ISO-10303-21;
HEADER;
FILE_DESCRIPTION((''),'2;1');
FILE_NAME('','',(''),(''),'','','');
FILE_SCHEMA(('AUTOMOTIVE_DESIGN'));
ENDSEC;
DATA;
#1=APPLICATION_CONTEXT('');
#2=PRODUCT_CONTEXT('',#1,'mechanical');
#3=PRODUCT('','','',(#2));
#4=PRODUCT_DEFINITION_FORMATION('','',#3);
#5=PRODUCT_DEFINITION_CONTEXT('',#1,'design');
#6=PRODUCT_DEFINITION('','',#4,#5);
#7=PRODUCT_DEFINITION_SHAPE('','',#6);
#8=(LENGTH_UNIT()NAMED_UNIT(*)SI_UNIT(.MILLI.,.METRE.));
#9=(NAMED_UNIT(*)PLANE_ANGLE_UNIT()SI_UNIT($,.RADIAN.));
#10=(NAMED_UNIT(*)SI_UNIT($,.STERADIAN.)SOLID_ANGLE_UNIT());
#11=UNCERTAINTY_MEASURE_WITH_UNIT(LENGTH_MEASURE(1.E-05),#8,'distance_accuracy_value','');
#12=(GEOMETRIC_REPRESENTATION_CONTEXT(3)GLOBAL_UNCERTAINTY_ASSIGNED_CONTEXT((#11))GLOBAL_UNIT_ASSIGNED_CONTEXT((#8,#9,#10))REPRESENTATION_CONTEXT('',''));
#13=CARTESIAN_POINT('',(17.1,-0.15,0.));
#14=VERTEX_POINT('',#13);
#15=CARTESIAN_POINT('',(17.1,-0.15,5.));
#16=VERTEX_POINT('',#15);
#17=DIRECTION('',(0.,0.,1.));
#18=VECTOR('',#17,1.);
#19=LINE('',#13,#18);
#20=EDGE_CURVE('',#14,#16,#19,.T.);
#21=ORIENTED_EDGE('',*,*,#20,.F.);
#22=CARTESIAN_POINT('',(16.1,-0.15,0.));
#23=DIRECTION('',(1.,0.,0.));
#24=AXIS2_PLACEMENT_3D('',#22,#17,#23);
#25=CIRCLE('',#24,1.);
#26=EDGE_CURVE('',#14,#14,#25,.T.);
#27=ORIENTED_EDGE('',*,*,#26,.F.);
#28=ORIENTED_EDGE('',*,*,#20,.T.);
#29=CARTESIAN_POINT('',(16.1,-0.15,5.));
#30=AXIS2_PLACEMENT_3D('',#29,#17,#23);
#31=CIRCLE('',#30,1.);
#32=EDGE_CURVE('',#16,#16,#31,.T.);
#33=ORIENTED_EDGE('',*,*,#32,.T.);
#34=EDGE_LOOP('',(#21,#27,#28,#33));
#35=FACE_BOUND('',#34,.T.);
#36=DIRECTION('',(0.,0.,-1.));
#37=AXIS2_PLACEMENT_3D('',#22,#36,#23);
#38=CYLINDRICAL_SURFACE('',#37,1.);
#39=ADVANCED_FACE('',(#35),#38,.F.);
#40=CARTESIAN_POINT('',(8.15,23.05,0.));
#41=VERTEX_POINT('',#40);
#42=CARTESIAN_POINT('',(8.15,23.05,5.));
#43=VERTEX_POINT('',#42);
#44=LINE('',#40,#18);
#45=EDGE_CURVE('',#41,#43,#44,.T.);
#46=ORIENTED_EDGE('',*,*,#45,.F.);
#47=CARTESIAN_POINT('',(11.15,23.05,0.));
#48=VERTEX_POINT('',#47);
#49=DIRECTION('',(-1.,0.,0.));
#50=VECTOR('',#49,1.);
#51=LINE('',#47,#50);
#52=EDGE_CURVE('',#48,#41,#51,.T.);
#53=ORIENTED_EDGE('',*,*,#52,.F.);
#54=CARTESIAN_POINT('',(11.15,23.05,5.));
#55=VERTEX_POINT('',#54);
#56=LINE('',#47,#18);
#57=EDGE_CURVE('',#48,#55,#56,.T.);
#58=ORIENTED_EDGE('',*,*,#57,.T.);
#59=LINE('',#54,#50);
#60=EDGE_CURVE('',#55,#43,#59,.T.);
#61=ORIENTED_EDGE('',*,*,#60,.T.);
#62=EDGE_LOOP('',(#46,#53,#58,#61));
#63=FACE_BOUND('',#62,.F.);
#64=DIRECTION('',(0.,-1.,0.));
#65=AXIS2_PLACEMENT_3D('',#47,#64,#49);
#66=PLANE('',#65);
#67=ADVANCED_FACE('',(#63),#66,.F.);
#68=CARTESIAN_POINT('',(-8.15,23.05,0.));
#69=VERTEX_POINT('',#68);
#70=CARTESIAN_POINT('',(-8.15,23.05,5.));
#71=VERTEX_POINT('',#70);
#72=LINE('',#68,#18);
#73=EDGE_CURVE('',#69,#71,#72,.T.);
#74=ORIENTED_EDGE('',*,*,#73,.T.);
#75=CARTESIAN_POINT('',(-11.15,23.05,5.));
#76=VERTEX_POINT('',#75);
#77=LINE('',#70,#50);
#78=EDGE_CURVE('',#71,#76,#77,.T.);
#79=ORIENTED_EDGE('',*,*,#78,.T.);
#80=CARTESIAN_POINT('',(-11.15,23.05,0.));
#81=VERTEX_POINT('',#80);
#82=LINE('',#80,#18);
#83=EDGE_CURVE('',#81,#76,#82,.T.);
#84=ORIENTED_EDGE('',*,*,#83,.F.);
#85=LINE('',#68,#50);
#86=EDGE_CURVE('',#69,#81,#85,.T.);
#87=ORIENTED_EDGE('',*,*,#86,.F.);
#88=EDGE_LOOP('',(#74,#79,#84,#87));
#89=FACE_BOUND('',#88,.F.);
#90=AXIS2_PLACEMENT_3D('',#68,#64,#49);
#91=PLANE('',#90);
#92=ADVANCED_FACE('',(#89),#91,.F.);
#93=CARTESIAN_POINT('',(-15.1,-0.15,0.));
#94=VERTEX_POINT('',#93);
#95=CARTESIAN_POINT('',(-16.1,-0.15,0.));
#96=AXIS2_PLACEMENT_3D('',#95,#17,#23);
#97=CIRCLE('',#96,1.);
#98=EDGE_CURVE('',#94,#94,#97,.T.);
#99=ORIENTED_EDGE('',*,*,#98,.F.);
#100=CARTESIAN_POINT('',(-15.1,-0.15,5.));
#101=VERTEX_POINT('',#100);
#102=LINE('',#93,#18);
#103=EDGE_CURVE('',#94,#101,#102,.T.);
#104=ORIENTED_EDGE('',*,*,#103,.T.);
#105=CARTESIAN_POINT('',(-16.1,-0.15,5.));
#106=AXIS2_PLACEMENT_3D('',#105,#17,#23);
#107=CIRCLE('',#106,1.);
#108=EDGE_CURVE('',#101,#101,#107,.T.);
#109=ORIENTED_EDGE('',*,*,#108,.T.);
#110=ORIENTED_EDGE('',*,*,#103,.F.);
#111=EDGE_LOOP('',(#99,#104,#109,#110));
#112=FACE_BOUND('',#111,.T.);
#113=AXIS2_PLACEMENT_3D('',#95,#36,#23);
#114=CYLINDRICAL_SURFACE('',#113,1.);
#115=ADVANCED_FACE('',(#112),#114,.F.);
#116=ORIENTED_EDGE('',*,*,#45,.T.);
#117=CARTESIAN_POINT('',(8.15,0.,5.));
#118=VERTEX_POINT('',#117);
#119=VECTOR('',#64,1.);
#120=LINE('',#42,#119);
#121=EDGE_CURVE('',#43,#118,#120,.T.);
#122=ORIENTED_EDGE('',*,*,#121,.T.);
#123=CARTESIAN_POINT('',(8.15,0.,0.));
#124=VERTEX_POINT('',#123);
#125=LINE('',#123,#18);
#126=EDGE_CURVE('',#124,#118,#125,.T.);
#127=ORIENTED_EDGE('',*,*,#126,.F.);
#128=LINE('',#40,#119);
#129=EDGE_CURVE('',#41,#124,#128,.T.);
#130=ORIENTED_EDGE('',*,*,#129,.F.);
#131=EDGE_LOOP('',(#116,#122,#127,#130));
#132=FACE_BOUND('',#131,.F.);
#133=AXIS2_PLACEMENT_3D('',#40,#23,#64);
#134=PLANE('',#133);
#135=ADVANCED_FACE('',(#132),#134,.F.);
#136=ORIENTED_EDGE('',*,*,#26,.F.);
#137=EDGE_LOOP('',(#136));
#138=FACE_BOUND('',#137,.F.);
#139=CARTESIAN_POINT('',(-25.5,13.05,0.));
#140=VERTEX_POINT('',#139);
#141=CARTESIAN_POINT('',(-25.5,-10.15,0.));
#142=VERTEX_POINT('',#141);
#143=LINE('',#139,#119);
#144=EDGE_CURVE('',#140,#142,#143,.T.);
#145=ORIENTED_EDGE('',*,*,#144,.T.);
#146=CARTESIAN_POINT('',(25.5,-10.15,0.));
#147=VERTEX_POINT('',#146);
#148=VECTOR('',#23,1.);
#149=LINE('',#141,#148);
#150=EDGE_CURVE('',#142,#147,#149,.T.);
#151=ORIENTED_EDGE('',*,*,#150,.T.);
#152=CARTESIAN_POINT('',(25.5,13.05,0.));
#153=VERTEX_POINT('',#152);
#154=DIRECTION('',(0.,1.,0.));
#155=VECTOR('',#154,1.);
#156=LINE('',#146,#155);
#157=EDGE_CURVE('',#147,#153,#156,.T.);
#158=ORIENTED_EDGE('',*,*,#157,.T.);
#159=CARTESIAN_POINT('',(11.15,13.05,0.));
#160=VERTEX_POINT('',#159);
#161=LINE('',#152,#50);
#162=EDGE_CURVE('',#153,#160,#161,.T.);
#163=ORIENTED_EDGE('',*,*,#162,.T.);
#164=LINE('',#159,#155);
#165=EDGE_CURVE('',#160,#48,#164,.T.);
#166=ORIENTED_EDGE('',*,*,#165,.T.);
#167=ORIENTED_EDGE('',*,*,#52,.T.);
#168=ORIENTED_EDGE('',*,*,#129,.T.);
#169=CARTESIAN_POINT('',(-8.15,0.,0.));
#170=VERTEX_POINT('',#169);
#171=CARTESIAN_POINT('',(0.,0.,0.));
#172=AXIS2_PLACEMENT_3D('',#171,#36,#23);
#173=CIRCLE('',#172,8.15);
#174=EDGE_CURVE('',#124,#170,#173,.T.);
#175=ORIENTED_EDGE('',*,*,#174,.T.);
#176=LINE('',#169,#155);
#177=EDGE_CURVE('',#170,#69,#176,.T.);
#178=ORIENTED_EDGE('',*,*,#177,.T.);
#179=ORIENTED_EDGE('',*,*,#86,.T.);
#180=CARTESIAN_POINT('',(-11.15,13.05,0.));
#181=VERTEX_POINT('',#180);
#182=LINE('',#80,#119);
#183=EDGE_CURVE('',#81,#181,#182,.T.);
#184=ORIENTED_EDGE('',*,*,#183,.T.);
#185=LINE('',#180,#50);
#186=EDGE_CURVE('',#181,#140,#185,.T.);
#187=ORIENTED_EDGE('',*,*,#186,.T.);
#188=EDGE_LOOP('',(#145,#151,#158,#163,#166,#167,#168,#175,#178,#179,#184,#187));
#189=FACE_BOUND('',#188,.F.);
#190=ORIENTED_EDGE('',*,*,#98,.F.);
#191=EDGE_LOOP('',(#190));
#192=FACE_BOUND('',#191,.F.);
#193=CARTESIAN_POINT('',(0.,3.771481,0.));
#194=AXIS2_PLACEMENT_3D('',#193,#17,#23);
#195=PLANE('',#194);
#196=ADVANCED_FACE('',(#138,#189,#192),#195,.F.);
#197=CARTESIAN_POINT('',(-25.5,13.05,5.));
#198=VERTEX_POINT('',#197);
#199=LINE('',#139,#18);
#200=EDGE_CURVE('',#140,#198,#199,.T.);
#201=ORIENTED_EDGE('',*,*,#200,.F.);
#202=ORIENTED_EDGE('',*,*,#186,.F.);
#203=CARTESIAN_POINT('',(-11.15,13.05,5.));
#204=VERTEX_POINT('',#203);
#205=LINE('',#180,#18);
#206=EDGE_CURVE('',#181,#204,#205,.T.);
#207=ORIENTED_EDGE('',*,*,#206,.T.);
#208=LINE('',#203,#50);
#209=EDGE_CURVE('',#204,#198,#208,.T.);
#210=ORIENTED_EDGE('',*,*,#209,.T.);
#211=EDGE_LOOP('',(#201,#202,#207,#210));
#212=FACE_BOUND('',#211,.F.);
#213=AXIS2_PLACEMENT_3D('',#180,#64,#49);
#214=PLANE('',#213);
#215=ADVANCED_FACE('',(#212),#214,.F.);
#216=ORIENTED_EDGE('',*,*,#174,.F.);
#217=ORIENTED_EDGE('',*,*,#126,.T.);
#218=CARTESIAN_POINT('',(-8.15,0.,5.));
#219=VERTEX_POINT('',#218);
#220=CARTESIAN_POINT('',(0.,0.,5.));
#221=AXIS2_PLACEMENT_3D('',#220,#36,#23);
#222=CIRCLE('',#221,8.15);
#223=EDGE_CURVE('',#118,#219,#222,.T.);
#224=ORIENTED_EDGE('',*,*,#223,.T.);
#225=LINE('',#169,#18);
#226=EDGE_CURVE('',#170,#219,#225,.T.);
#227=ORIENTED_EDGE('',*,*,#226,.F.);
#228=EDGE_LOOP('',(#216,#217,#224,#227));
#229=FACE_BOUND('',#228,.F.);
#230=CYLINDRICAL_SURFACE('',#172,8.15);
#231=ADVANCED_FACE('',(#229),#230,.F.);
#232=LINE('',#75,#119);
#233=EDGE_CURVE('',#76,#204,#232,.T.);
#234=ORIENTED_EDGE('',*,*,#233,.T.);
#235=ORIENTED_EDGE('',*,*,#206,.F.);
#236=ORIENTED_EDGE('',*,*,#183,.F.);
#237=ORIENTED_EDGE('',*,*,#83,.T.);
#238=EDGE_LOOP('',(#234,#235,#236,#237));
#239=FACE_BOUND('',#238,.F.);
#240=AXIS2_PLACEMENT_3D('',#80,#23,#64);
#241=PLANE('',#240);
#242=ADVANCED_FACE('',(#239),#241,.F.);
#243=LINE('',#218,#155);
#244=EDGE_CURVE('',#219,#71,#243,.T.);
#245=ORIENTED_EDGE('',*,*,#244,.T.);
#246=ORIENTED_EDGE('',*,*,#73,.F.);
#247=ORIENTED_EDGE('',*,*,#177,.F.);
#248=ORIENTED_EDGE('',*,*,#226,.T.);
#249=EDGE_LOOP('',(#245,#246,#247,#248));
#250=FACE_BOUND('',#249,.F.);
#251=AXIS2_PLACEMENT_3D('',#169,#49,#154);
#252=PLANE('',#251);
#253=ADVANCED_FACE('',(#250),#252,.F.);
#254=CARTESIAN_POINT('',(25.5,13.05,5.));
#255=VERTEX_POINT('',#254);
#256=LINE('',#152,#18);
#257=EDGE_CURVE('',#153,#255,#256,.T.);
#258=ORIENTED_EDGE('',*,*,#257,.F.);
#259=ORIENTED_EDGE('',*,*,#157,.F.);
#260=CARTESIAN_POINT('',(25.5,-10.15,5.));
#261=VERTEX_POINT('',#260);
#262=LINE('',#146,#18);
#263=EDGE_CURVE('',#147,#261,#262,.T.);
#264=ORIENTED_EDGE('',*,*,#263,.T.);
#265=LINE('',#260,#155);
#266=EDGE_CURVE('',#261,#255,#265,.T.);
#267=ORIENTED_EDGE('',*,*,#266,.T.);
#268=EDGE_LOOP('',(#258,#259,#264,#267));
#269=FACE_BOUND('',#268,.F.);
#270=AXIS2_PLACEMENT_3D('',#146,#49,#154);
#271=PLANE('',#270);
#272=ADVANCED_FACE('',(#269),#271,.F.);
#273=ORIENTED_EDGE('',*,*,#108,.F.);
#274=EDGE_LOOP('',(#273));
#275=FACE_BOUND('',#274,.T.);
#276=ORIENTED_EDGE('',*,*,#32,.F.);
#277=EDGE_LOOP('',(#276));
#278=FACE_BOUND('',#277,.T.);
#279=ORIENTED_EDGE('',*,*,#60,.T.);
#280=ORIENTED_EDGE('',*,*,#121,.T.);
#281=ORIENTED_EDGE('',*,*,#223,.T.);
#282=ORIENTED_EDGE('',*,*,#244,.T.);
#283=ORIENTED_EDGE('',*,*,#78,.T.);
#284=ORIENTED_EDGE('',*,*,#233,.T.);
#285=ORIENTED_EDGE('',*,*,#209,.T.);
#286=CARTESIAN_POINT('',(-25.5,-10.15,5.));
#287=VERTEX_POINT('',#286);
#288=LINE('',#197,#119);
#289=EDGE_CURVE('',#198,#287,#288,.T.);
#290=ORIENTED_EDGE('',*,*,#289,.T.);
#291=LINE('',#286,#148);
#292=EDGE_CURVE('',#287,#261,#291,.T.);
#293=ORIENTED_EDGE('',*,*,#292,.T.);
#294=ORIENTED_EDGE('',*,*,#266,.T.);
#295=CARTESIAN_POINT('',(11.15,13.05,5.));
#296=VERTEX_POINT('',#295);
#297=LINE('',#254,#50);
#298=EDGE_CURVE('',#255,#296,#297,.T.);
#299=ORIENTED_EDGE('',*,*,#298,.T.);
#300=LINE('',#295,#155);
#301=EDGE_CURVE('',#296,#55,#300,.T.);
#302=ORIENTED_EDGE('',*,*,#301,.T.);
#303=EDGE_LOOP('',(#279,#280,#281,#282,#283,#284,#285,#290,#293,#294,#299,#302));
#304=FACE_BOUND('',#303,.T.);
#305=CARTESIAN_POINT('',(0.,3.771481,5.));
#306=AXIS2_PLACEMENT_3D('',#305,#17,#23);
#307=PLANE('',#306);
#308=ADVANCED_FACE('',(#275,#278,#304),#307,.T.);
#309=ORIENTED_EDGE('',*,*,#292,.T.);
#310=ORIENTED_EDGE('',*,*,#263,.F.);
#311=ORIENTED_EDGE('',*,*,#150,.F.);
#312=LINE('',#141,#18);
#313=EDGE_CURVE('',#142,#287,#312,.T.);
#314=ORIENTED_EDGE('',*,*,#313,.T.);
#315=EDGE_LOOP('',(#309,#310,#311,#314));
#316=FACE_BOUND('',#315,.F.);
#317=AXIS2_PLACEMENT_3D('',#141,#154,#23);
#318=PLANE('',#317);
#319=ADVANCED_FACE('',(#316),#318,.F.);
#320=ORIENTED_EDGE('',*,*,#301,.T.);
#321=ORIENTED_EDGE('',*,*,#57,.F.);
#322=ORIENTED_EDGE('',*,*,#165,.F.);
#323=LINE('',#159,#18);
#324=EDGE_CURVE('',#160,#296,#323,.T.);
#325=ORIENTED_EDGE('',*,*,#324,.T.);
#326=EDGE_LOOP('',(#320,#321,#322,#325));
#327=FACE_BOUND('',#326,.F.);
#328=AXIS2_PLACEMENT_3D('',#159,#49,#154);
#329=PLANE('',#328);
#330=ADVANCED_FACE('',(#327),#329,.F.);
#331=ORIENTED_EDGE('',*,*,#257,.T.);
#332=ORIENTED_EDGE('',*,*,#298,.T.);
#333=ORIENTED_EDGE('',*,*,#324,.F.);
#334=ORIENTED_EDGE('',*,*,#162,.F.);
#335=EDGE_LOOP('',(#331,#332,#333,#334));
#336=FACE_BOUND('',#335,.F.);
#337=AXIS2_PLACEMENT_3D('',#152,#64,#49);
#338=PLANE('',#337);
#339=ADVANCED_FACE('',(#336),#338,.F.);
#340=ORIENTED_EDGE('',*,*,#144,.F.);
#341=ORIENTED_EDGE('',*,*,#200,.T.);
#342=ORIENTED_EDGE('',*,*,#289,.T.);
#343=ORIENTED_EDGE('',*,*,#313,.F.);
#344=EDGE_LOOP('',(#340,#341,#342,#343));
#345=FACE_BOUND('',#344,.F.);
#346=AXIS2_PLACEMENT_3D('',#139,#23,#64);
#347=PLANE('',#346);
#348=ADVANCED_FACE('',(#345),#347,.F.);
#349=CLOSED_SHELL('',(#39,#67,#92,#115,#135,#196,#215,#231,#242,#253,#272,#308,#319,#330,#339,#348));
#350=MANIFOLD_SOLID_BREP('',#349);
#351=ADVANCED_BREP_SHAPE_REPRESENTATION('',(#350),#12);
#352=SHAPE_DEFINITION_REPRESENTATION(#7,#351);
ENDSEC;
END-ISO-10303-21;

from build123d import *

# Parameters (mm, degrees)
F0_R     = 1
F1_DEPTH = 5


with BuildPart() as f1:
    # F0 (on Top) → F1 (new body)
    with BuildSketch(Plane.XY):
        with BuildLine():
            Line((-11.15, 13.05), (-25.5, 13.05))
            Line((-25.5, 13.05), (-25.5, -10.15))
            Line((-25.5, -10.15), (25.5, -10.15))
            Line((25.5, -10.15), (25.5, 13.05))
            Line((25.5, 13.05), (11.15, 13.05))
            Line((11.15, 13.05), (11.15, 23.05))
            Line((11.15, 23.05), (8.15, 23.05))
            Line((8.15, 23.05), (8.15, 0))
            ThreePointArc((8.15, 0), (0, -8.15), (-8.15, 0))
            Line((-8.15, 0), (-8.15, 23.05))
            Line((-8.15, 23.05), (-11.15, 23.05))
            Line((-11.15, 23.05), (-11.15, 13.05))
        make_face()
        with Locations((-16.1, -0.15)):
            Circle(F0_R, mode=Mode.SUBTRACT)
        with Locations((16.1, -0.15)):
            Circle(F0_R, mode=Mode.SUBTRACT)
    extrude(amount=F1_DEPTH)


solid = f1.part
